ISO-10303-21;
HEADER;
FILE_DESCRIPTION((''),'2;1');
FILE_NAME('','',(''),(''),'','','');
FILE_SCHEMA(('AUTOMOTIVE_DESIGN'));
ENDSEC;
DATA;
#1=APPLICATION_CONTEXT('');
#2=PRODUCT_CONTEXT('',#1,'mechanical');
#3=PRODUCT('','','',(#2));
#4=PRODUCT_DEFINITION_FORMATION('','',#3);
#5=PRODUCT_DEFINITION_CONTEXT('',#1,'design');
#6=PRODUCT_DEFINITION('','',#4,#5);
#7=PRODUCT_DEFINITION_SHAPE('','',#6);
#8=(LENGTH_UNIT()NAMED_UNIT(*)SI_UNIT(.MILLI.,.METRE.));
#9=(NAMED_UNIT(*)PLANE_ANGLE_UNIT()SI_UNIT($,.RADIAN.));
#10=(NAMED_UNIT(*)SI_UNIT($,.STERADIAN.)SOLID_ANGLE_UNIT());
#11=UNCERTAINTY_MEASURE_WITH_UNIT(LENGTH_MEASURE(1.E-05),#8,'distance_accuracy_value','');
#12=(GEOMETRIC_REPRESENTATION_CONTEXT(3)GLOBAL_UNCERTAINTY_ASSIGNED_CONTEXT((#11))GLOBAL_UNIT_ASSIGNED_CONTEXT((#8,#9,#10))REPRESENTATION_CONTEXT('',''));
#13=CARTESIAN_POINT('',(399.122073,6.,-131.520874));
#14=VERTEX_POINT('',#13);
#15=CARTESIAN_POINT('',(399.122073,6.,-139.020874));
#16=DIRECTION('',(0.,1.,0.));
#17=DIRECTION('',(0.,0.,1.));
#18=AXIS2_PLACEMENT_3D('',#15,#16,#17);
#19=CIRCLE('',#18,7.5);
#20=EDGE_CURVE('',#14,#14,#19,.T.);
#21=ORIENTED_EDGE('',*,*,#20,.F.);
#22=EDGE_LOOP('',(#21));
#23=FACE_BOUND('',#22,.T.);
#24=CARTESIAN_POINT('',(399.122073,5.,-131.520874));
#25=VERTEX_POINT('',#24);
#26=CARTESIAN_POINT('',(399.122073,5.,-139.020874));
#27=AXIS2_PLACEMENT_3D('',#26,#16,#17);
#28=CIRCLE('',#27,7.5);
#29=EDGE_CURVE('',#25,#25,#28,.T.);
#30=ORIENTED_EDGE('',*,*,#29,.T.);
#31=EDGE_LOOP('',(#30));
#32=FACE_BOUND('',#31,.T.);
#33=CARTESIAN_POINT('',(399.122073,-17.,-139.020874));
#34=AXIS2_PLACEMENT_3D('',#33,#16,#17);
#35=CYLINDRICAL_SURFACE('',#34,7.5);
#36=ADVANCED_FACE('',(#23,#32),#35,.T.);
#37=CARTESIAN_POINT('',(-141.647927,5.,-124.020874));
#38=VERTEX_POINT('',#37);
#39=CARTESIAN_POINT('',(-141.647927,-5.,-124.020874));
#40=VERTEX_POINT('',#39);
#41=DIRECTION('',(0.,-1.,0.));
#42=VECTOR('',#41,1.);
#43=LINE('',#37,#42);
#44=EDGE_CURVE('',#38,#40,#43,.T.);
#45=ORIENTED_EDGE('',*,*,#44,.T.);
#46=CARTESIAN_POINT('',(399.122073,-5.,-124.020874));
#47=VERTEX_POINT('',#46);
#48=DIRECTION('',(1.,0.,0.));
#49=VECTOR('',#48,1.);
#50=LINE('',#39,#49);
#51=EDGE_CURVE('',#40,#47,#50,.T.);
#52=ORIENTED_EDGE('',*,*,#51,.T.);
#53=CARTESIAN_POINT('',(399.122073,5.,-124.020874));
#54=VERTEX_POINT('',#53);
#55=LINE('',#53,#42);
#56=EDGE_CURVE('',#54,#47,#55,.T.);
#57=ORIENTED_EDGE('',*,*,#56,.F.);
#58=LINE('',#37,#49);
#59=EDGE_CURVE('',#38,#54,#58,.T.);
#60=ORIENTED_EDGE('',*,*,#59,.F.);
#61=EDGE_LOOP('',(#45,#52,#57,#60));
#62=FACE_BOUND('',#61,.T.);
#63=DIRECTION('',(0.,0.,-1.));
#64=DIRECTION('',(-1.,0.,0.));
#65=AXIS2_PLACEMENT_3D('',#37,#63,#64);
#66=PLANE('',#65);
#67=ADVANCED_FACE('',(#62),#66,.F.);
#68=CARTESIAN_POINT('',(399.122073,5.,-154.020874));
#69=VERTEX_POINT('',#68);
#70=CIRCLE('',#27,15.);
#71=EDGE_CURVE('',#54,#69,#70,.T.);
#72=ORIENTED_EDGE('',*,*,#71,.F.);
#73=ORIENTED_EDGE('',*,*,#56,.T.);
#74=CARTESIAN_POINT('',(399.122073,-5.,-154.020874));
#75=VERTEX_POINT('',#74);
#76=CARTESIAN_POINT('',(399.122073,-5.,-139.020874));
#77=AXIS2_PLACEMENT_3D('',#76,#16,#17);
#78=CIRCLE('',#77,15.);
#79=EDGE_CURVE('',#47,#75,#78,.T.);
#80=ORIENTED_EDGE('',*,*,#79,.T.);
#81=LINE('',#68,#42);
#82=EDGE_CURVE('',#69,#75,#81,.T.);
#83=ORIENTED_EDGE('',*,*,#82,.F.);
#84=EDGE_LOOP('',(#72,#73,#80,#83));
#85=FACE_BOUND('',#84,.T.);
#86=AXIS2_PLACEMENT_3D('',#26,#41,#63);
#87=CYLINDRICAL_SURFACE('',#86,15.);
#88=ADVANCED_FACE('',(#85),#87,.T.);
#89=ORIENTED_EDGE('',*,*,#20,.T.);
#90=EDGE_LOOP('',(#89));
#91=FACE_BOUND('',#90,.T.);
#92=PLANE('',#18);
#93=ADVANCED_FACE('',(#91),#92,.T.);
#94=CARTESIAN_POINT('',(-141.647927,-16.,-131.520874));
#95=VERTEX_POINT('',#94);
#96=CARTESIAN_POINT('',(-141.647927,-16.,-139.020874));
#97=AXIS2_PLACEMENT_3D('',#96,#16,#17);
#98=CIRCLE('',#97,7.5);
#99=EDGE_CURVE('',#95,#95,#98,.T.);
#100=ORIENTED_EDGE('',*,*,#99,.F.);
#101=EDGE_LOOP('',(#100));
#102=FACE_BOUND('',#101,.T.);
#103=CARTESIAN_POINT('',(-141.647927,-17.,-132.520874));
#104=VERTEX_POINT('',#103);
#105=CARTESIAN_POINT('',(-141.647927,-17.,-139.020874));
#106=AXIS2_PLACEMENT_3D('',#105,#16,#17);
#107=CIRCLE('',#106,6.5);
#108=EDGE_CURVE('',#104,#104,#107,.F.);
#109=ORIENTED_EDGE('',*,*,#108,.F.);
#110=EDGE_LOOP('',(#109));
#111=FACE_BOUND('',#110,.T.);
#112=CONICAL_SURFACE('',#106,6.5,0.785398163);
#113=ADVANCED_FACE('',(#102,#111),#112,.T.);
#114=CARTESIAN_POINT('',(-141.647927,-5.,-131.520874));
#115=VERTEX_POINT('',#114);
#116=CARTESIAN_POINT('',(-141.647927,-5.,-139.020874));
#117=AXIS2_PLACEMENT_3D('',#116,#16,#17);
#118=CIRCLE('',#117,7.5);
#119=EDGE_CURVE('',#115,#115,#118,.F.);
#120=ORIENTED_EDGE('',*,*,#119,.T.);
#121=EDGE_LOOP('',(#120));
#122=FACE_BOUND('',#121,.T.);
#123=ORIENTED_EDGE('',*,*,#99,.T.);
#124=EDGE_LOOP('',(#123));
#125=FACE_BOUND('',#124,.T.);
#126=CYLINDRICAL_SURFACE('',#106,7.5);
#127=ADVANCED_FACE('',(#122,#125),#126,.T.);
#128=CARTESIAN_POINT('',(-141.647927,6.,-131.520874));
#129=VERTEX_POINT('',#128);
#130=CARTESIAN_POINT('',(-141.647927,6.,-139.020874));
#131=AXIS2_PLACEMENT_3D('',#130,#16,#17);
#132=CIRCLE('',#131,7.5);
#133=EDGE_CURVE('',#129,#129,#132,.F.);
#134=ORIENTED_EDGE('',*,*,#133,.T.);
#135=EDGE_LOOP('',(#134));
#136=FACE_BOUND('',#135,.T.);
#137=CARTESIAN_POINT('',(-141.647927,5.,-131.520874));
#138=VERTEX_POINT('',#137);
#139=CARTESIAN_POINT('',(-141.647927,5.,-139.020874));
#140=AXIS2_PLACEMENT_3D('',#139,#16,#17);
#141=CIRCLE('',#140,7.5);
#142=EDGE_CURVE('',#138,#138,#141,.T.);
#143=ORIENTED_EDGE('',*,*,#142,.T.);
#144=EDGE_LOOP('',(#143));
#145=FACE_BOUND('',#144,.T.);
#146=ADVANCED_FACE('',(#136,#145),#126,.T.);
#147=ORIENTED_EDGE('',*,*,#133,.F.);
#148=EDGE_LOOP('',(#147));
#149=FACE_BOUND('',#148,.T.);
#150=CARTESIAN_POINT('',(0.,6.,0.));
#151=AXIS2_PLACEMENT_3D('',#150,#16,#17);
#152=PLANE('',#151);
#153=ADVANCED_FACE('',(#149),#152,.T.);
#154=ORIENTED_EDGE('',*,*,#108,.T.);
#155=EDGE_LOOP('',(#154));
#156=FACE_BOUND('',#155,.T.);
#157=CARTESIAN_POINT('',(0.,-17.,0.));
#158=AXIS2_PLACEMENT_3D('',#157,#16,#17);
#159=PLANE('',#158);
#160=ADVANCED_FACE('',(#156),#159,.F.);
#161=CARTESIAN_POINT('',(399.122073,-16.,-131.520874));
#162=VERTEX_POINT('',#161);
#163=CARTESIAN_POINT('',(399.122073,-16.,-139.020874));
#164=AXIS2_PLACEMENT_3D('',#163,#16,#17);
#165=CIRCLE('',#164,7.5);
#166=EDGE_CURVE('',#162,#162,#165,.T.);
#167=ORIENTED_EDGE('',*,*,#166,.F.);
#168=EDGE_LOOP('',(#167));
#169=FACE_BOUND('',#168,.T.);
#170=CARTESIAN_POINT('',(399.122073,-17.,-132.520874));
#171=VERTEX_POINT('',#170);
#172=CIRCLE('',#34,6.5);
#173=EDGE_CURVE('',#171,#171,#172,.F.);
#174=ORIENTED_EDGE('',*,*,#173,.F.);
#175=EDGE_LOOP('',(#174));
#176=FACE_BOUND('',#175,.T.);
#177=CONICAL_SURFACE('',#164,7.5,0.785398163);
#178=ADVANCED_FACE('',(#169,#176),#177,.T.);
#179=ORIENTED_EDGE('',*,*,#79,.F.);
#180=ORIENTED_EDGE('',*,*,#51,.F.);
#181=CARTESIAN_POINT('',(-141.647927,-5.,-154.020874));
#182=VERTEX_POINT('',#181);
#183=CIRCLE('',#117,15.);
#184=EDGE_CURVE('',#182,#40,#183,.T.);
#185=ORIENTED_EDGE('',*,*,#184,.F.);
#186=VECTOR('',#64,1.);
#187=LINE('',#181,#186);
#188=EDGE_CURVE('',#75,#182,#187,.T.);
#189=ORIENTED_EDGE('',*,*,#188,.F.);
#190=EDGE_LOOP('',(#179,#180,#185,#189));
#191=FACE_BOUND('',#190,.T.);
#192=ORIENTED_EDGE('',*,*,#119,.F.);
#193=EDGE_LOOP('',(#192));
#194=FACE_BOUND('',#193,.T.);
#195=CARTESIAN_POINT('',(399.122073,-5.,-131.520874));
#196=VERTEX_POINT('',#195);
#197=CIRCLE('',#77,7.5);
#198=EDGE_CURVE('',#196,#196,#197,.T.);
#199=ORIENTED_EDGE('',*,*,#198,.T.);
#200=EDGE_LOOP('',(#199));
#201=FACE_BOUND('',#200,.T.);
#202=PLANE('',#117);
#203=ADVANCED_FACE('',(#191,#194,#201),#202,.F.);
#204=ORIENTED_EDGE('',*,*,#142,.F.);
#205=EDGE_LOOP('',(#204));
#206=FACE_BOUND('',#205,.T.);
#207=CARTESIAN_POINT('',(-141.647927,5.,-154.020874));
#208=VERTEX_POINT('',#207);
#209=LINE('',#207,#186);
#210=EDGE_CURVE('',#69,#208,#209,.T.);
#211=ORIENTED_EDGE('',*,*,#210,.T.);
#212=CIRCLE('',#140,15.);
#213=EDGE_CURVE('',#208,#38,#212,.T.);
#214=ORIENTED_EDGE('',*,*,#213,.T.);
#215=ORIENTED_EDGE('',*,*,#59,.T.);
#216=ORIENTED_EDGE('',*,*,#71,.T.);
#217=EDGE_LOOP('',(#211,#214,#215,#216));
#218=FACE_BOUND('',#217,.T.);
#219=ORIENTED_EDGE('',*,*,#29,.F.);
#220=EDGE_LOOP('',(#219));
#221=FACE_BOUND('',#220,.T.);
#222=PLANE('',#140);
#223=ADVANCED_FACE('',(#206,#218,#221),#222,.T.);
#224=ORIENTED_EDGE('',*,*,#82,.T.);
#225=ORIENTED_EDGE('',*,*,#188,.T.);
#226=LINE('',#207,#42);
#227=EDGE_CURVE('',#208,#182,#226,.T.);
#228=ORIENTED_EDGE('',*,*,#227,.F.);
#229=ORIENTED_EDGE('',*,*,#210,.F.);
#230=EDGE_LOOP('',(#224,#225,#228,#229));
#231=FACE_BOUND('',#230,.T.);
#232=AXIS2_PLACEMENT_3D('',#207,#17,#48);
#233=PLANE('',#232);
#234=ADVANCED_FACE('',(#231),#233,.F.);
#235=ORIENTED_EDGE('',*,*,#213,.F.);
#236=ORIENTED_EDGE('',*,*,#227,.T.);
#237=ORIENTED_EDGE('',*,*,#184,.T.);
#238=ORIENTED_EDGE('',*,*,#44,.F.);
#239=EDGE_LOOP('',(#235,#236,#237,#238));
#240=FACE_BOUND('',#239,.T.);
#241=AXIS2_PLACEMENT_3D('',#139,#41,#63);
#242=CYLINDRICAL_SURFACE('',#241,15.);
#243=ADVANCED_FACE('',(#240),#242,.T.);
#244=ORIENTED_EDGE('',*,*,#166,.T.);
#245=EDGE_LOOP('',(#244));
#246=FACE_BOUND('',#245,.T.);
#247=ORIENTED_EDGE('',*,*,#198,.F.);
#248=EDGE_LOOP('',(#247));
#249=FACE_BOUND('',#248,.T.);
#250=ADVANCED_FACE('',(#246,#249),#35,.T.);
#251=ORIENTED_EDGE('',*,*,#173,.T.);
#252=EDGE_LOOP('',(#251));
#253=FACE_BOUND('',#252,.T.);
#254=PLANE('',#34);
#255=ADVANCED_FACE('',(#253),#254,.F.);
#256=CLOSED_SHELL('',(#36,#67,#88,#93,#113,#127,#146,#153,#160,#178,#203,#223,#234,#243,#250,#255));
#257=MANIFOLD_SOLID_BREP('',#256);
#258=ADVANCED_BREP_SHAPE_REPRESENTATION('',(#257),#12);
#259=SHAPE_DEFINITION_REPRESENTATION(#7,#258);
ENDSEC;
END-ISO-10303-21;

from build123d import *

# Parameters (mm, degrees)
SKETCH2_R                = 7.5
BOSS_EXTRUDE4_DEPTH      = 5
BOSS_EXTRUDE5_DEPTH      = 1
BOSS_EXTRUDE5_DEPTH_BACK = 22
SKETCH5_R                = 7.5
CHAMFER1_SIZE            = 1
BOSS_EXTRUDE8_DEPTH      = 1
BOSS_EXTRUDE8_DEPTH_BACK = 22
SKETCH8_R                = 7.5
CHAMFER3_SIZE            = 1


with BuildPart() as part:
    # Sketch2 → Boss-Extrude4 (new, symmetric)
    with BuildSketch(Plane(origin=(0, 0, 0), x_dir=(1, 0, 0), z_dir=(0, 1, 0))):
        with BuildLine():
            Line((-141.647927202, 154.020874391), (399.122072798, 154.020874391))
            ThreePointArc((399.122072798, 154.020874391), (414.122072798, 139.020874391), (399.122072798, 124.020874391))
            Line((399.122072798, 124.020874391), (-141.647927202, 124.020874391))
            ThreePointArc((-141.647927202, 124.020874391), (-156.647927202, 139.020874391), (-141.647927202, 154.020874391))
        make_face()
        with Locations(Location((-141.647927202, 139.020874391, 0), (0, 0, 270))):
            Circle(SKETCH2_R, mode=Mode.SUBTRACT)
        with Locations(Location((399.122072798, 139.020874391, 0), (0, 0, 270))):
            Circle(SKETCH2_R, mode=Mode.SUBTRACT)
    extrude(amount=BOSS_EXTRUDE4_DEPTH, both=True)

    # Sketch5 → Boss-Extrude5 (add, two sides: drawn at the far end of the back side and taken through both)
    with BuildSketch(Plane(origin=(0, 5, 0), x_dir=(1, 0, 0), z_dir=(0, 1, 0)).offset(-BOSS_EXTRUDE5_DEPTH_BACK)):
        with Locations(Location((-141.647927202, 139.020874391, 0), (0, 0, 270))):
            Circle(SKETCH5_R)
    extrude(amount=BOSS_EXTRUDE5_DEPTH + BOSS_EXTRUDE5_DEPTH_BACK)

    # Chamfer1
    chamfer1_edges = [part.edges().sort_by_distance(p)[0] for p in [
        (-141.647927202, -17, -146.520874391),
    ]]
    chamfer(chamfer1_edges, length=CHAMFER1_SIZE)

    # Sketch8 → Boss-Extrude8 (add, two sides: drawn at the far end of the back side and taken through both)
    with BuildSketch(Plane(origin=(0, 5, 0), x_dir=(1, 0, 0), z_dir=(0, 1, 0)).offset(-BOSS_EXTRUDE8_DEPTH_BACK)):
        with Locations(Location((399.122072798, 139.020874391, 0), (0, 0, 270))):
            Circle(SKETCH8_R)
    extrude(amount=BOSS_EXTRUDE8_DEPTH + BOSS_EXTRUDE8_DEPTH_BACK)

    # Chamfer3
    chamfer3_edges = [part.edges().sort_by_distance(p)[0] for p in [
        (399.122072798, -17, -146.520874391),
    ]]
    chamfer(chamfer3_edges, length=CHAMFER3_SIZE)


solid = part.part
